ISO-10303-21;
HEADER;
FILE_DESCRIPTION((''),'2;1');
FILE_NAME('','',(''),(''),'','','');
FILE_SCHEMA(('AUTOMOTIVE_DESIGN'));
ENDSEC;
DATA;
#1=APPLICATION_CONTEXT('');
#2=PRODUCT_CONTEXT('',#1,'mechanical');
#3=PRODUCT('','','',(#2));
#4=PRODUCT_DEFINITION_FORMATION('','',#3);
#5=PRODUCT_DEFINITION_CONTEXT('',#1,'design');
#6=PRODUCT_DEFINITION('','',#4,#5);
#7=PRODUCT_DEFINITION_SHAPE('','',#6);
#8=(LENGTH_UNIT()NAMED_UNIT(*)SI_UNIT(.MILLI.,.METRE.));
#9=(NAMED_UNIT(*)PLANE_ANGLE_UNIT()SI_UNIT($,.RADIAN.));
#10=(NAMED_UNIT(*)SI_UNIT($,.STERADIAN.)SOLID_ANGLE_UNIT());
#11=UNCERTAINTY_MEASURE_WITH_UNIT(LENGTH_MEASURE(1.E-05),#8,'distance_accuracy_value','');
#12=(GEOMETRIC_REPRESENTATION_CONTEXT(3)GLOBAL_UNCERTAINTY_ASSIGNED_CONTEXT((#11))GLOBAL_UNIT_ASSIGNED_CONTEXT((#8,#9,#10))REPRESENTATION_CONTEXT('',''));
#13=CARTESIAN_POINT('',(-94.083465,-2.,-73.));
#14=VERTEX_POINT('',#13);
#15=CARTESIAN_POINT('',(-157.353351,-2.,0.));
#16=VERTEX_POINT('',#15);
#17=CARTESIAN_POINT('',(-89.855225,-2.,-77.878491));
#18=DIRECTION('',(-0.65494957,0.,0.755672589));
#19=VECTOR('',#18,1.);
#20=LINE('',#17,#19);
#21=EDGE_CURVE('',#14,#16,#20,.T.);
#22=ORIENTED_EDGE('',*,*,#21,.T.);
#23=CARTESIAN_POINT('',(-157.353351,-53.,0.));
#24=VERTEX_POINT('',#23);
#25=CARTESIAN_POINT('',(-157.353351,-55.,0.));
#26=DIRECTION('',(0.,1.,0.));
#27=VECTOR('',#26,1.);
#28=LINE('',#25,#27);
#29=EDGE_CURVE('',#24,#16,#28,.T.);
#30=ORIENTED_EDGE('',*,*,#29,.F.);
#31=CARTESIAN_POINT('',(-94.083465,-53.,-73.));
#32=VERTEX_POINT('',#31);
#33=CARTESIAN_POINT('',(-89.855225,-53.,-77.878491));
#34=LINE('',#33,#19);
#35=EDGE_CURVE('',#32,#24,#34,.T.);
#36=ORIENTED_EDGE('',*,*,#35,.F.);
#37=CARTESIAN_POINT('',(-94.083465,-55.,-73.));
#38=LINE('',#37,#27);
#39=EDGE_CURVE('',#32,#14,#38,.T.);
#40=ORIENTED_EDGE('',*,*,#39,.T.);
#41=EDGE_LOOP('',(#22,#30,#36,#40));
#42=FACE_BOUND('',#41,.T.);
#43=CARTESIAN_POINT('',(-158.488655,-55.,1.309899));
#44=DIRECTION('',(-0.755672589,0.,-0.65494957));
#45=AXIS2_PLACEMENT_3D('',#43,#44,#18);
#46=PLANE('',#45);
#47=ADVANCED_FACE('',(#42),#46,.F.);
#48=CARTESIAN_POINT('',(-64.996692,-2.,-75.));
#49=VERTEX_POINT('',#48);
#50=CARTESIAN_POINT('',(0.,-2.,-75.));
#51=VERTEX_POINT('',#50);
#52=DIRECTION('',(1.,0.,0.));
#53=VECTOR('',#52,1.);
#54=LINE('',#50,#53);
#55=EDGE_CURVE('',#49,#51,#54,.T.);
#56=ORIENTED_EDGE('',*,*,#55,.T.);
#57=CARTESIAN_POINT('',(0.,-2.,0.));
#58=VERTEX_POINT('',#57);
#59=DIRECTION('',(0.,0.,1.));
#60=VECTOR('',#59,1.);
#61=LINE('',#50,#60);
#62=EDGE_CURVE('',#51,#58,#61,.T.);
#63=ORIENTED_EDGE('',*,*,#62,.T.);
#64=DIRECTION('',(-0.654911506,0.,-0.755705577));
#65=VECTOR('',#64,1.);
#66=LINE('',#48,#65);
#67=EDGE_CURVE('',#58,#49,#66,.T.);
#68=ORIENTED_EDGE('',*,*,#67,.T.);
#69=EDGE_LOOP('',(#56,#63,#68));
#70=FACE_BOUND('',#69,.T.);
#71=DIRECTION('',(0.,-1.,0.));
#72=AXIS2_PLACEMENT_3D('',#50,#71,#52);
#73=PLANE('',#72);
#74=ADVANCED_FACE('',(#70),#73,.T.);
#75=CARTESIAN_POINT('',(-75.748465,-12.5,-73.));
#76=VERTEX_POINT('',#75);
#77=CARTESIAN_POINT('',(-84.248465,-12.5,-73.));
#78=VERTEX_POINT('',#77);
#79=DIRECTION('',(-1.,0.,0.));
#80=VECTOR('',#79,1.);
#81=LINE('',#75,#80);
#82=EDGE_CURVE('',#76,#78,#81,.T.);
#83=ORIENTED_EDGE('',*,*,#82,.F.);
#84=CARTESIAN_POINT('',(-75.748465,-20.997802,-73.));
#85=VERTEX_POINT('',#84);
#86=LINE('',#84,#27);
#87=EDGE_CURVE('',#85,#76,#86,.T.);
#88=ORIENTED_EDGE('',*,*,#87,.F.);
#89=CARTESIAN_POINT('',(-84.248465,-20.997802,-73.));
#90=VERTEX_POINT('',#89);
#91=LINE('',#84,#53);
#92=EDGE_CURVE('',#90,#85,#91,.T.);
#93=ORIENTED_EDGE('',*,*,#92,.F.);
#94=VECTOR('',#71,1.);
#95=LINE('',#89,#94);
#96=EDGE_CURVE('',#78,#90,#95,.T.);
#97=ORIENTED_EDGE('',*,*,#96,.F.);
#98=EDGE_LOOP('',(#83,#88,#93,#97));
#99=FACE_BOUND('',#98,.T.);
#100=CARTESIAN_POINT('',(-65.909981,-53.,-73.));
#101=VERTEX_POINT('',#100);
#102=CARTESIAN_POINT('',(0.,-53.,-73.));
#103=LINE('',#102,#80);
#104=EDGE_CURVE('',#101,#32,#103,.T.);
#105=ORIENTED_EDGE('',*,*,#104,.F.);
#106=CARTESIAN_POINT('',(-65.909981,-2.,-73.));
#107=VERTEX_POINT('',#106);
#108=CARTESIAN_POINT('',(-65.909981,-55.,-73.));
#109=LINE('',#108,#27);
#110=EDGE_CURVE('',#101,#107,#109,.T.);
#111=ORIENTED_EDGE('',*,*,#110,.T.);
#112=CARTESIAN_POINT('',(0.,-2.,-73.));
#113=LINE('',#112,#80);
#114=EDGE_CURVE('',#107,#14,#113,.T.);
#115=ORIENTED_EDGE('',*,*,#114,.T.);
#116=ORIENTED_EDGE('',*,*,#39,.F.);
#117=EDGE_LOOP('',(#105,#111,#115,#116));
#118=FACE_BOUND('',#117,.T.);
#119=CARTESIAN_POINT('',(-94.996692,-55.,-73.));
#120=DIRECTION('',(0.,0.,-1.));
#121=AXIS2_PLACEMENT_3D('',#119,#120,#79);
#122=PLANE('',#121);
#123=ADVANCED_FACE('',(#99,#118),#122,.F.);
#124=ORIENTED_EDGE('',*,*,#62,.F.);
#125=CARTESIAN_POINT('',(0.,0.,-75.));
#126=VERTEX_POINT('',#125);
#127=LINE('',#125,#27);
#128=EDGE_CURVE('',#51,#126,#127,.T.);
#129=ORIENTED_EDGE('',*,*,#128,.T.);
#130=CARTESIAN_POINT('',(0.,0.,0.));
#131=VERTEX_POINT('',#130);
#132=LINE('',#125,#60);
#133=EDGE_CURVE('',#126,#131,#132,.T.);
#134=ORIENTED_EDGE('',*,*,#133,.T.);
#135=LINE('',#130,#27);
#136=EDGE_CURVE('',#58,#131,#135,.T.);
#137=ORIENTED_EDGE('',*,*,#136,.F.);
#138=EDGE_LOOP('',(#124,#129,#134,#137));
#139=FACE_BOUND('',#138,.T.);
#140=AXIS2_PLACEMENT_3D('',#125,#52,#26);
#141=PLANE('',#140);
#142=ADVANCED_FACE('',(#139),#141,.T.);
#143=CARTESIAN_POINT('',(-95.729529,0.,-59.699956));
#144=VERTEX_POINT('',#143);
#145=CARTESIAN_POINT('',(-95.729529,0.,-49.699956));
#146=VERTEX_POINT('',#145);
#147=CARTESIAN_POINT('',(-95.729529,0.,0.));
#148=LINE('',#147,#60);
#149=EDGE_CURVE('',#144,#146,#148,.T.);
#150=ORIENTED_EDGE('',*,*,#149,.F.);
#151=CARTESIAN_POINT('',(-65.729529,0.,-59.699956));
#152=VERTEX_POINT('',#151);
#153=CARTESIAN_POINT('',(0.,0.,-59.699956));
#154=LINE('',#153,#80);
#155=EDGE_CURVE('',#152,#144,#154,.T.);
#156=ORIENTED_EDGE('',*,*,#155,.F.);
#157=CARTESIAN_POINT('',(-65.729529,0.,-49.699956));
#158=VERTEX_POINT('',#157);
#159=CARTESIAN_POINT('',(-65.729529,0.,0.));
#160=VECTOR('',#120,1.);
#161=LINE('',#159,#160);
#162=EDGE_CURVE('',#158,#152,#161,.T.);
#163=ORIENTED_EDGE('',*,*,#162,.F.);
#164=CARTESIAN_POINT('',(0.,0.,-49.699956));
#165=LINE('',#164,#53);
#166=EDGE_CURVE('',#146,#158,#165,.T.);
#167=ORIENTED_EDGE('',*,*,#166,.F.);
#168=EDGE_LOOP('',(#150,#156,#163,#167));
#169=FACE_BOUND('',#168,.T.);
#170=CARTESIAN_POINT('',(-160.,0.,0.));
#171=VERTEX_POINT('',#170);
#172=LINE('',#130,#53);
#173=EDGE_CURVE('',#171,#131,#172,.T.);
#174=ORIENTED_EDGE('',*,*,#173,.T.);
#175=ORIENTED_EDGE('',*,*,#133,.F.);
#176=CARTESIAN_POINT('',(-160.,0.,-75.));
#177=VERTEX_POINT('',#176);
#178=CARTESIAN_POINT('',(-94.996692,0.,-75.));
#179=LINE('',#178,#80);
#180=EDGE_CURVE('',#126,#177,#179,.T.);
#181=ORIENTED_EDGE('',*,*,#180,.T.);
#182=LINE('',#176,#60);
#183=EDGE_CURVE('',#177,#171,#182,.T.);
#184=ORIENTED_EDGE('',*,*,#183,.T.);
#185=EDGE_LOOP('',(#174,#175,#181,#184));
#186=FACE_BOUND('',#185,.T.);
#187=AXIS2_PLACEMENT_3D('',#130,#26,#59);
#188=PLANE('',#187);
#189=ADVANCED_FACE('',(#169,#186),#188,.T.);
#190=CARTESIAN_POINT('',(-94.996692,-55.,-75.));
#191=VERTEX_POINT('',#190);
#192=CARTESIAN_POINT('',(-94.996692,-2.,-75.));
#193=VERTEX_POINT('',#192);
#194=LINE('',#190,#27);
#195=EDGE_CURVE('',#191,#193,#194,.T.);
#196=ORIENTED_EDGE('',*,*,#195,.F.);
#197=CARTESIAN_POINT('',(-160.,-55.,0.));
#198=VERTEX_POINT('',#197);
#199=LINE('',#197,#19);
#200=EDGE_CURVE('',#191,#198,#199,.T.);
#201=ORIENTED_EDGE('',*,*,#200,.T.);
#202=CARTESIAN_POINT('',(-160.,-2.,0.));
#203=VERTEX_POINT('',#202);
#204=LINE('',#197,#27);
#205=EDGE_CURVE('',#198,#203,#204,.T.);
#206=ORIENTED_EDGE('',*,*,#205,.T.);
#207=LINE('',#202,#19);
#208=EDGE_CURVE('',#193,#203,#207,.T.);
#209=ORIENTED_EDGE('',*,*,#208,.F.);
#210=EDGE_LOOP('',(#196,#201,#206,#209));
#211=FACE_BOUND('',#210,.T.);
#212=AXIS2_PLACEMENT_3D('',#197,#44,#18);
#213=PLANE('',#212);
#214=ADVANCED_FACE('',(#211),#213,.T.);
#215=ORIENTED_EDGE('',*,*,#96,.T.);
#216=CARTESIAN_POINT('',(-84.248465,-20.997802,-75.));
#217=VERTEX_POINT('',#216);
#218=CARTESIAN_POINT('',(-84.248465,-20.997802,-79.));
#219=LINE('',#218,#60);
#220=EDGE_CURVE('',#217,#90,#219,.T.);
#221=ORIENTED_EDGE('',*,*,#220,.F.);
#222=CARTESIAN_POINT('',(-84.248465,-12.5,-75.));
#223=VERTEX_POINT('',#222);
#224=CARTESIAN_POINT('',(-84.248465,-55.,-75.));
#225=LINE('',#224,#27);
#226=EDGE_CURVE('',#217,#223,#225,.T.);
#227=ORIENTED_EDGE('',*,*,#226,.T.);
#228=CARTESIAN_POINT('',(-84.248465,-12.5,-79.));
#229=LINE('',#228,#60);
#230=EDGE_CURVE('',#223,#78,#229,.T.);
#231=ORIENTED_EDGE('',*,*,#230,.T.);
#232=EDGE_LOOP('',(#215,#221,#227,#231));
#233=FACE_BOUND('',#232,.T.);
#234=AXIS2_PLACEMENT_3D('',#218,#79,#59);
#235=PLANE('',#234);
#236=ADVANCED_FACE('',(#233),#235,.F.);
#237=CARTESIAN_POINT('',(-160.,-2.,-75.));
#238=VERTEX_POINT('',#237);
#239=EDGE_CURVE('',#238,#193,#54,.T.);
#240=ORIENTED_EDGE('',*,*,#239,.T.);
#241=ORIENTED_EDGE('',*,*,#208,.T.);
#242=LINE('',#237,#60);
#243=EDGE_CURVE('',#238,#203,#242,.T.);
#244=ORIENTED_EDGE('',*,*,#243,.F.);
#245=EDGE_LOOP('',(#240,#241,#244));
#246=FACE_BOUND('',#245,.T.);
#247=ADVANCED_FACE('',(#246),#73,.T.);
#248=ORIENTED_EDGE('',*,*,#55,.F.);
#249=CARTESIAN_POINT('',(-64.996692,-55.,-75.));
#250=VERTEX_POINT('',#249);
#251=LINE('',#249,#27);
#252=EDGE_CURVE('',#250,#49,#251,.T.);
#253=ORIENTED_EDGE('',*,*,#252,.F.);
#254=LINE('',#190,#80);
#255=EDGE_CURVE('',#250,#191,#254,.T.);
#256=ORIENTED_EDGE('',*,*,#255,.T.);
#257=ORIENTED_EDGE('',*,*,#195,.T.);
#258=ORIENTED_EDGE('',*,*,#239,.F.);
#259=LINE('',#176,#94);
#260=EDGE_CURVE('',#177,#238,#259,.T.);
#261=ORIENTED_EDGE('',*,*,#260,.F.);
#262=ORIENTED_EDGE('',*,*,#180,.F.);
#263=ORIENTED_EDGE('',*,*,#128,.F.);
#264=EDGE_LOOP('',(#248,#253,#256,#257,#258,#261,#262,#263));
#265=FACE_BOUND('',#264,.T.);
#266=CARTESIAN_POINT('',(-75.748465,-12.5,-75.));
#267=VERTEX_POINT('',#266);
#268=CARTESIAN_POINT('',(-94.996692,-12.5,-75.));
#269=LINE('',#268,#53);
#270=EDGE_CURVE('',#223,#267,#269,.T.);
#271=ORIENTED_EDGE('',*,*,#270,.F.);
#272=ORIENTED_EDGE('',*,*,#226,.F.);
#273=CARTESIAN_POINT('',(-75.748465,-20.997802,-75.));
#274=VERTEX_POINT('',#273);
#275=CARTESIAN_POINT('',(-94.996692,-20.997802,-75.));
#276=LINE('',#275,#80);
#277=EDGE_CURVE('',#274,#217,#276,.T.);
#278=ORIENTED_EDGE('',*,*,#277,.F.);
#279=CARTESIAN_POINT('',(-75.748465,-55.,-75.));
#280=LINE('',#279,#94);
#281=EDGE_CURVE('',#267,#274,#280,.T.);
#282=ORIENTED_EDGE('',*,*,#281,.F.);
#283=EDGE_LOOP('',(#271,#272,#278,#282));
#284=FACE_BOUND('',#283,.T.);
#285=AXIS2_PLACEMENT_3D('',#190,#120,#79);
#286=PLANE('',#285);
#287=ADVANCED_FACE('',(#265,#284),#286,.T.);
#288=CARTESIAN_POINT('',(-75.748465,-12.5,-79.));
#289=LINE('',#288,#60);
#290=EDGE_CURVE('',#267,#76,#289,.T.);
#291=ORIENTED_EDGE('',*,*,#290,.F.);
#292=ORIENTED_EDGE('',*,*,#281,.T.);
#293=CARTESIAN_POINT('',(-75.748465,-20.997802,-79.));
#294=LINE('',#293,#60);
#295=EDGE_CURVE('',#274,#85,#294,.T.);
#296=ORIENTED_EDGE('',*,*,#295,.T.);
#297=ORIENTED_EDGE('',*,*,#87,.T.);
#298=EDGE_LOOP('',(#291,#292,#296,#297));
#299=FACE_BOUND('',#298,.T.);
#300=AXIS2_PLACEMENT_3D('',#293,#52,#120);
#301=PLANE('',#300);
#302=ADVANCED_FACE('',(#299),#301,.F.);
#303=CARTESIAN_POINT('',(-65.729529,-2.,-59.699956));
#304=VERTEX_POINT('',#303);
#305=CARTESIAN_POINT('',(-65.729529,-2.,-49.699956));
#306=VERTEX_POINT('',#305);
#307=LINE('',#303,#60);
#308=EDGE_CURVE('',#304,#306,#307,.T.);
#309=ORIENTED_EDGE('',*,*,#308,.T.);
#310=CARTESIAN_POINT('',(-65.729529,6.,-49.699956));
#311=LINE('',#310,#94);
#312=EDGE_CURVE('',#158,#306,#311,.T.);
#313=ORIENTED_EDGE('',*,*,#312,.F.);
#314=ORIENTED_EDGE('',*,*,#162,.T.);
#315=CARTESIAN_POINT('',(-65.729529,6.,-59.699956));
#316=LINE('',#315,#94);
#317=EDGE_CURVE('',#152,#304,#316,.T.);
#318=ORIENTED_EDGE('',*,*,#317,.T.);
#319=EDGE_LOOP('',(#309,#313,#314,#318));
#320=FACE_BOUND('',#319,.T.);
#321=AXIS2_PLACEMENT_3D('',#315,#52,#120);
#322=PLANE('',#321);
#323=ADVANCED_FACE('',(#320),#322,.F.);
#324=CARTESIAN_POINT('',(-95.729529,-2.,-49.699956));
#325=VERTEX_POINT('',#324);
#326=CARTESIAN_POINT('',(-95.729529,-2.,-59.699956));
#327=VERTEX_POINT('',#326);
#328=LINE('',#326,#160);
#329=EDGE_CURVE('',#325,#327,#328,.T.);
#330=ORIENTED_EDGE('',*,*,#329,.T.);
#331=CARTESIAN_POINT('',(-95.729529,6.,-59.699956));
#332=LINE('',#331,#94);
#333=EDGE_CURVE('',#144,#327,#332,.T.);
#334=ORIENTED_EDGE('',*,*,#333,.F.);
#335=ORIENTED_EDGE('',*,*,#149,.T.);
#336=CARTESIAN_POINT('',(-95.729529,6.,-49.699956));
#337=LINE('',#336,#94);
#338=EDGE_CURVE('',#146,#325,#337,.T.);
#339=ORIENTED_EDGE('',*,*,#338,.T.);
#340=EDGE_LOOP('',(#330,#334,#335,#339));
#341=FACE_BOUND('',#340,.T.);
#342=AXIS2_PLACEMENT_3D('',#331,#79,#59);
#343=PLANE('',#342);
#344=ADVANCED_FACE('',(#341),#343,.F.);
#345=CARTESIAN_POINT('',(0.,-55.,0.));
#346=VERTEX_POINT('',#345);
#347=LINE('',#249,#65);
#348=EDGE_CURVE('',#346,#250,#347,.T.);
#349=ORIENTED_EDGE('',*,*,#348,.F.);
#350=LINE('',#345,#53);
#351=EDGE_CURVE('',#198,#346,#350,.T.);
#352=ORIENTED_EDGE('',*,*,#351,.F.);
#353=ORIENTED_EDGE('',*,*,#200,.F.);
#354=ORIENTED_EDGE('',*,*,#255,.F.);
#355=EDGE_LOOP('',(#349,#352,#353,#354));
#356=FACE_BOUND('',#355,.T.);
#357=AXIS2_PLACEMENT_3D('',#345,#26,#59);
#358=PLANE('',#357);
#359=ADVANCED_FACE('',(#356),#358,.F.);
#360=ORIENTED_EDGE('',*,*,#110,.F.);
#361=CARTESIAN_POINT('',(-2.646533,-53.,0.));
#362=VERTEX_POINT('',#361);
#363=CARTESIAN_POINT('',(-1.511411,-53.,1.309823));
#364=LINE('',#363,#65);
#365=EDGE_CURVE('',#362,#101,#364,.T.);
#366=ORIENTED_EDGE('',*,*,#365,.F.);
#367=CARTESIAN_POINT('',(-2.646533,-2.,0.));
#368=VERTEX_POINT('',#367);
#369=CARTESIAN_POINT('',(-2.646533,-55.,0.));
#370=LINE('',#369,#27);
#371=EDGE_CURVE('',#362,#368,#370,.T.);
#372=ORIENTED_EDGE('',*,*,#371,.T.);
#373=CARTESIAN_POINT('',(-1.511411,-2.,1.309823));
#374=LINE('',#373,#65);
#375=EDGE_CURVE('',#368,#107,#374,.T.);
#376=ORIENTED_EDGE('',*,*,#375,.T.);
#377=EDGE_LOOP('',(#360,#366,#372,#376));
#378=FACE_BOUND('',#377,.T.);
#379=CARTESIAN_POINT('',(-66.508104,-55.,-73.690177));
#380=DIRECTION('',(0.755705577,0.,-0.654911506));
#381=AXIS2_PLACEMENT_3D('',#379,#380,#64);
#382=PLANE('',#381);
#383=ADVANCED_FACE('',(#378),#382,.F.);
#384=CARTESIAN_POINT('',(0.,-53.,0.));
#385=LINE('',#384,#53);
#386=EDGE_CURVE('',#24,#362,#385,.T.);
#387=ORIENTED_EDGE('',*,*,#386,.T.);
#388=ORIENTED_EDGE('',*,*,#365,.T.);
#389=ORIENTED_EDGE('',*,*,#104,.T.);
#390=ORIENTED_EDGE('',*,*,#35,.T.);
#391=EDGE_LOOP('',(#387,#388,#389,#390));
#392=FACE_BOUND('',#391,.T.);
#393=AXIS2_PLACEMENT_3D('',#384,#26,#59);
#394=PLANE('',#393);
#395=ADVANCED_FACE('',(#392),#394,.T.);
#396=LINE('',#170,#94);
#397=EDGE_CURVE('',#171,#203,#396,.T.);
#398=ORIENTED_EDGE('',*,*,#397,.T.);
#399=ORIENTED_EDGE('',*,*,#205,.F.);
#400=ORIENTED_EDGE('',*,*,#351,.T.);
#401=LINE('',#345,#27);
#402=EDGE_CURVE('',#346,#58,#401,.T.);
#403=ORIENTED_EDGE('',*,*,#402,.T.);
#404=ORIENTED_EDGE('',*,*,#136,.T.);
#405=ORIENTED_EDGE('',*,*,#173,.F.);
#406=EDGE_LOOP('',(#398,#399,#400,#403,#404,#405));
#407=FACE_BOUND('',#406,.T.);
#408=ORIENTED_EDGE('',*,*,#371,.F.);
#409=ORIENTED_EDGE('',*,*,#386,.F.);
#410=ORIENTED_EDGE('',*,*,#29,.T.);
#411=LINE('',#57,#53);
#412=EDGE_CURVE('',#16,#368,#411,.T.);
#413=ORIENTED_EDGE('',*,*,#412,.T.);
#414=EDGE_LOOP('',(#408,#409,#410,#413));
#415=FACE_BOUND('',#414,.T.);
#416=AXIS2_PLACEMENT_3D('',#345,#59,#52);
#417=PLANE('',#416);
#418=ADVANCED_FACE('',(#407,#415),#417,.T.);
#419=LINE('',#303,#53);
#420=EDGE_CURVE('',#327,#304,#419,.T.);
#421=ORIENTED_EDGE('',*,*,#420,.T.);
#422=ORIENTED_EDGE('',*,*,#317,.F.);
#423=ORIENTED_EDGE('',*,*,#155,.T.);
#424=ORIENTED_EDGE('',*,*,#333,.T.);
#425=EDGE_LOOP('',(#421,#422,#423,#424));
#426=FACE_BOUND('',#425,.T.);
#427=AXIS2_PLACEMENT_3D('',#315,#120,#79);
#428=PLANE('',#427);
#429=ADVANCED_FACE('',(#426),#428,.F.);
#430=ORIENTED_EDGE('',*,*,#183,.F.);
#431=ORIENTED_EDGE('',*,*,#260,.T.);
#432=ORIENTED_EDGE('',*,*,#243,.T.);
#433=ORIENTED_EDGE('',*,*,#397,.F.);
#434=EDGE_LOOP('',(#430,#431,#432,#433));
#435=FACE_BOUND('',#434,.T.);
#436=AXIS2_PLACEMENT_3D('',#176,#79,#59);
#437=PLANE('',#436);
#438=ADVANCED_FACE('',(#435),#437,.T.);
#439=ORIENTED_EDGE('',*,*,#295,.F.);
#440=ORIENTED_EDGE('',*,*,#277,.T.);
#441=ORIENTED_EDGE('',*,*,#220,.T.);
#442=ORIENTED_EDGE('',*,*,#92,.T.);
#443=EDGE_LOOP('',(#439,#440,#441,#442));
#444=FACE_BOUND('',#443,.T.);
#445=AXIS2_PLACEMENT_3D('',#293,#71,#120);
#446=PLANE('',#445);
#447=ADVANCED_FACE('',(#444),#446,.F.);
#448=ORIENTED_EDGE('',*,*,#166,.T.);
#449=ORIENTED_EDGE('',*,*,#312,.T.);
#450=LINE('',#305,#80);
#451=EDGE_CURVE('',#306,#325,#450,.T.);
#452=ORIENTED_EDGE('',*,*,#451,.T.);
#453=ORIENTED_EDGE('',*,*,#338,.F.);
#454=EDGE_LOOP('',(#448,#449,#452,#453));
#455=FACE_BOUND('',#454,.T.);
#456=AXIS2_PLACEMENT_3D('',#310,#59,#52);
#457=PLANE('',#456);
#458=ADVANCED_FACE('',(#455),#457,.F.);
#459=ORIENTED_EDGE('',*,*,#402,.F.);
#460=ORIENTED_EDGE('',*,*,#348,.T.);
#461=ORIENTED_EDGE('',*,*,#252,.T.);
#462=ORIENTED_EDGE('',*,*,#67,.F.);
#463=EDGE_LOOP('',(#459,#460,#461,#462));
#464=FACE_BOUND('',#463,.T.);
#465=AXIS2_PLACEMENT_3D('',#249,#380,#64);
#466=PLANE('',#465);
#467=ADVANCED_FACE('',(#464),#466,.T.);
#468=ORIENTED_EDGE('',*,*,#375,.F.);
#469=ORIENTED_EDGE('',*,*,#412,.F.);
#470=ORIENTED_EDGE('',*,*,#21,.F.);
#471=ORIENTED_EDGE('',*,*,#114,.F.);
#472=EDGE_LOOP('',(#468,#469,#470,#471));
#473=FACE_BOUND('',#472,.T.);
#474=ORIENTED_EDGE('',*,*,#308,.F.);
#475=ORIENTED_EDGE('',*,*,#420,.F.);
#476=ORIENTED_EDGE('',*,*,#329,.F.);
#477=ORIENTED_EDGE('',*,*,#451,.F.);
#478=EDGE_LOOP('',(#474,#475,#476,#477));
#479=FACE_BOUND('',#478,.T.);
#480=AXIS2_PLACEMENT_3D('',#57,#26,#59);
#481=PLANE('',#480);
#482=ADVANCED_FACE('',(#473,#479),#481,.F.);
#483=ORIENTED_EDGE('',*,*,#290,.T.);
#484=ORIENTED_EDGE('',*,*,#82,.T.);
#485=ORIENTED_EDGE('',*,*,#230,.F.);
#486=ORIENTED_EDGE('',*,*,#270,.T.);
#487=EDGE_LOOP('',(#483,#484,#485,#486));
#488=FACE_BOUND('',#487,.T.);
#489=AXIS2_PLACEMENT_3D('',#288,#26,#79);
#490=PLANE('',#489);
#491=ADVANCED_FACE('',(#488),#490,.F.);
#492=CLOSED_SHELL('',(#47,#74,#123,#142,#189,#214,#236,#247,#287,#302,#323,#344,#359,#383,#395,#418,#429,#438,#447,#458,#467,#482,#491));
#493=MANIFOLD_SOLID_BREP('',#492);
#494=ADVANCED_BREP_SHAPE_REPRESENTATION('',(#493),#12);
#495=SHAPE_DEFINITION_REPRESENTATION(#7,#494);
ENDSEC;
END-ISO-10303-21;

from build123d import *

# Parameters (mm, degrees)
BOSS_EXTRUDE1_DEPTH = 55
SHELL1_T            = -2
SKETCH6_W           = 30
SKETCH6_H           = 10.709947061
CUT_EXTRUDE3_DEPTH  = 4
SKETCH5_W           = 8.5
SKETCH5_H           = 8.497801987
CUT_EXTRUDE5_DEPTH  = 6
SKETCH10_W          = 160
SKETCH10_H          = 2
BOSS_EXTRUDE2_DEPTH = 75
SKETCH11_W          = 30
SKETCH11_H          = 10
CUT_EXTRUDE6_DEPTH  = 8


with BuildPart() as part:
    # Sketch1 → Boss-Extrude1 (new body)
    with BuildSketch(Plane(origin=(0, 0, 0), x_dir=(1, 0, 0), z_dir=(0, 1, 0))):
        Polygon((0, 0), (-160, 0), (-94.996692416, 75), (-64.996692416, 75), align=None)
    extrude(amount=-BOSS_EXTRUDE1_DEPTH)

    # Shell1
    shell1_openings = [part.faces().sort_by_distance(p)[0] for p in [
        (-80, -27.5, 0),
    ]]
    offset(amount=SHELL1_T, openings=shell1_openings, kind=Kind.INTERSECTION)

    # Sketch6 → Cut-Extrude3 (cut)
    with BuildSketch(Plane(origin=(0, 0, 0), x_dir=(1, 0, 0), z_dir=(0, 1, 0))):
        with Locations((-80.447039031, 51.579276021)):
            Rectangle(SKETCH6_W, SKETCH6_H)
    extrude(amount=-CUT_EXTRUDE3_DEPTH, mode=Mode.SUBTRACT)

    # Sketch5 → Cut-Extrude5 (cut)
    with BuildSketch(Plane.XY.offset(-73)):
        with Locations((-79.998465085, -16.748900994)):
            Rectangle(SKETCH5_W, SKETCH5_H)
    extrude(amount=-CUT_EXTRUDE5_DEPTH, mode=Mode.SUBTRACT)

    # Sketch10 → Boss-Extrude2 (add)
    with BuildSketch(Plane.XY):
        with Locations((-80, -1)):
            Rectangle(SKETCH10_W, SKETCH10_H)
    extrude(amount=-BOSS_EXTRUDE2_DEPTH)

    # Sketch11 → Cut-Extrude6 (cut)
    with BuildSketch(Plane(origin=(0, -2, 0), x_dir=(-1, 0, 0), z_dir=(0, -1, 0))):
        with Locations((80.729529252, 54.69995574)):
            Rectangle(SKETCH11_W, SKETCH11_H)
    extrude(amount=-CUT_EXTRUDE6_DEPTH, mode=Mode.SUBTRACT)


solid = part.part
